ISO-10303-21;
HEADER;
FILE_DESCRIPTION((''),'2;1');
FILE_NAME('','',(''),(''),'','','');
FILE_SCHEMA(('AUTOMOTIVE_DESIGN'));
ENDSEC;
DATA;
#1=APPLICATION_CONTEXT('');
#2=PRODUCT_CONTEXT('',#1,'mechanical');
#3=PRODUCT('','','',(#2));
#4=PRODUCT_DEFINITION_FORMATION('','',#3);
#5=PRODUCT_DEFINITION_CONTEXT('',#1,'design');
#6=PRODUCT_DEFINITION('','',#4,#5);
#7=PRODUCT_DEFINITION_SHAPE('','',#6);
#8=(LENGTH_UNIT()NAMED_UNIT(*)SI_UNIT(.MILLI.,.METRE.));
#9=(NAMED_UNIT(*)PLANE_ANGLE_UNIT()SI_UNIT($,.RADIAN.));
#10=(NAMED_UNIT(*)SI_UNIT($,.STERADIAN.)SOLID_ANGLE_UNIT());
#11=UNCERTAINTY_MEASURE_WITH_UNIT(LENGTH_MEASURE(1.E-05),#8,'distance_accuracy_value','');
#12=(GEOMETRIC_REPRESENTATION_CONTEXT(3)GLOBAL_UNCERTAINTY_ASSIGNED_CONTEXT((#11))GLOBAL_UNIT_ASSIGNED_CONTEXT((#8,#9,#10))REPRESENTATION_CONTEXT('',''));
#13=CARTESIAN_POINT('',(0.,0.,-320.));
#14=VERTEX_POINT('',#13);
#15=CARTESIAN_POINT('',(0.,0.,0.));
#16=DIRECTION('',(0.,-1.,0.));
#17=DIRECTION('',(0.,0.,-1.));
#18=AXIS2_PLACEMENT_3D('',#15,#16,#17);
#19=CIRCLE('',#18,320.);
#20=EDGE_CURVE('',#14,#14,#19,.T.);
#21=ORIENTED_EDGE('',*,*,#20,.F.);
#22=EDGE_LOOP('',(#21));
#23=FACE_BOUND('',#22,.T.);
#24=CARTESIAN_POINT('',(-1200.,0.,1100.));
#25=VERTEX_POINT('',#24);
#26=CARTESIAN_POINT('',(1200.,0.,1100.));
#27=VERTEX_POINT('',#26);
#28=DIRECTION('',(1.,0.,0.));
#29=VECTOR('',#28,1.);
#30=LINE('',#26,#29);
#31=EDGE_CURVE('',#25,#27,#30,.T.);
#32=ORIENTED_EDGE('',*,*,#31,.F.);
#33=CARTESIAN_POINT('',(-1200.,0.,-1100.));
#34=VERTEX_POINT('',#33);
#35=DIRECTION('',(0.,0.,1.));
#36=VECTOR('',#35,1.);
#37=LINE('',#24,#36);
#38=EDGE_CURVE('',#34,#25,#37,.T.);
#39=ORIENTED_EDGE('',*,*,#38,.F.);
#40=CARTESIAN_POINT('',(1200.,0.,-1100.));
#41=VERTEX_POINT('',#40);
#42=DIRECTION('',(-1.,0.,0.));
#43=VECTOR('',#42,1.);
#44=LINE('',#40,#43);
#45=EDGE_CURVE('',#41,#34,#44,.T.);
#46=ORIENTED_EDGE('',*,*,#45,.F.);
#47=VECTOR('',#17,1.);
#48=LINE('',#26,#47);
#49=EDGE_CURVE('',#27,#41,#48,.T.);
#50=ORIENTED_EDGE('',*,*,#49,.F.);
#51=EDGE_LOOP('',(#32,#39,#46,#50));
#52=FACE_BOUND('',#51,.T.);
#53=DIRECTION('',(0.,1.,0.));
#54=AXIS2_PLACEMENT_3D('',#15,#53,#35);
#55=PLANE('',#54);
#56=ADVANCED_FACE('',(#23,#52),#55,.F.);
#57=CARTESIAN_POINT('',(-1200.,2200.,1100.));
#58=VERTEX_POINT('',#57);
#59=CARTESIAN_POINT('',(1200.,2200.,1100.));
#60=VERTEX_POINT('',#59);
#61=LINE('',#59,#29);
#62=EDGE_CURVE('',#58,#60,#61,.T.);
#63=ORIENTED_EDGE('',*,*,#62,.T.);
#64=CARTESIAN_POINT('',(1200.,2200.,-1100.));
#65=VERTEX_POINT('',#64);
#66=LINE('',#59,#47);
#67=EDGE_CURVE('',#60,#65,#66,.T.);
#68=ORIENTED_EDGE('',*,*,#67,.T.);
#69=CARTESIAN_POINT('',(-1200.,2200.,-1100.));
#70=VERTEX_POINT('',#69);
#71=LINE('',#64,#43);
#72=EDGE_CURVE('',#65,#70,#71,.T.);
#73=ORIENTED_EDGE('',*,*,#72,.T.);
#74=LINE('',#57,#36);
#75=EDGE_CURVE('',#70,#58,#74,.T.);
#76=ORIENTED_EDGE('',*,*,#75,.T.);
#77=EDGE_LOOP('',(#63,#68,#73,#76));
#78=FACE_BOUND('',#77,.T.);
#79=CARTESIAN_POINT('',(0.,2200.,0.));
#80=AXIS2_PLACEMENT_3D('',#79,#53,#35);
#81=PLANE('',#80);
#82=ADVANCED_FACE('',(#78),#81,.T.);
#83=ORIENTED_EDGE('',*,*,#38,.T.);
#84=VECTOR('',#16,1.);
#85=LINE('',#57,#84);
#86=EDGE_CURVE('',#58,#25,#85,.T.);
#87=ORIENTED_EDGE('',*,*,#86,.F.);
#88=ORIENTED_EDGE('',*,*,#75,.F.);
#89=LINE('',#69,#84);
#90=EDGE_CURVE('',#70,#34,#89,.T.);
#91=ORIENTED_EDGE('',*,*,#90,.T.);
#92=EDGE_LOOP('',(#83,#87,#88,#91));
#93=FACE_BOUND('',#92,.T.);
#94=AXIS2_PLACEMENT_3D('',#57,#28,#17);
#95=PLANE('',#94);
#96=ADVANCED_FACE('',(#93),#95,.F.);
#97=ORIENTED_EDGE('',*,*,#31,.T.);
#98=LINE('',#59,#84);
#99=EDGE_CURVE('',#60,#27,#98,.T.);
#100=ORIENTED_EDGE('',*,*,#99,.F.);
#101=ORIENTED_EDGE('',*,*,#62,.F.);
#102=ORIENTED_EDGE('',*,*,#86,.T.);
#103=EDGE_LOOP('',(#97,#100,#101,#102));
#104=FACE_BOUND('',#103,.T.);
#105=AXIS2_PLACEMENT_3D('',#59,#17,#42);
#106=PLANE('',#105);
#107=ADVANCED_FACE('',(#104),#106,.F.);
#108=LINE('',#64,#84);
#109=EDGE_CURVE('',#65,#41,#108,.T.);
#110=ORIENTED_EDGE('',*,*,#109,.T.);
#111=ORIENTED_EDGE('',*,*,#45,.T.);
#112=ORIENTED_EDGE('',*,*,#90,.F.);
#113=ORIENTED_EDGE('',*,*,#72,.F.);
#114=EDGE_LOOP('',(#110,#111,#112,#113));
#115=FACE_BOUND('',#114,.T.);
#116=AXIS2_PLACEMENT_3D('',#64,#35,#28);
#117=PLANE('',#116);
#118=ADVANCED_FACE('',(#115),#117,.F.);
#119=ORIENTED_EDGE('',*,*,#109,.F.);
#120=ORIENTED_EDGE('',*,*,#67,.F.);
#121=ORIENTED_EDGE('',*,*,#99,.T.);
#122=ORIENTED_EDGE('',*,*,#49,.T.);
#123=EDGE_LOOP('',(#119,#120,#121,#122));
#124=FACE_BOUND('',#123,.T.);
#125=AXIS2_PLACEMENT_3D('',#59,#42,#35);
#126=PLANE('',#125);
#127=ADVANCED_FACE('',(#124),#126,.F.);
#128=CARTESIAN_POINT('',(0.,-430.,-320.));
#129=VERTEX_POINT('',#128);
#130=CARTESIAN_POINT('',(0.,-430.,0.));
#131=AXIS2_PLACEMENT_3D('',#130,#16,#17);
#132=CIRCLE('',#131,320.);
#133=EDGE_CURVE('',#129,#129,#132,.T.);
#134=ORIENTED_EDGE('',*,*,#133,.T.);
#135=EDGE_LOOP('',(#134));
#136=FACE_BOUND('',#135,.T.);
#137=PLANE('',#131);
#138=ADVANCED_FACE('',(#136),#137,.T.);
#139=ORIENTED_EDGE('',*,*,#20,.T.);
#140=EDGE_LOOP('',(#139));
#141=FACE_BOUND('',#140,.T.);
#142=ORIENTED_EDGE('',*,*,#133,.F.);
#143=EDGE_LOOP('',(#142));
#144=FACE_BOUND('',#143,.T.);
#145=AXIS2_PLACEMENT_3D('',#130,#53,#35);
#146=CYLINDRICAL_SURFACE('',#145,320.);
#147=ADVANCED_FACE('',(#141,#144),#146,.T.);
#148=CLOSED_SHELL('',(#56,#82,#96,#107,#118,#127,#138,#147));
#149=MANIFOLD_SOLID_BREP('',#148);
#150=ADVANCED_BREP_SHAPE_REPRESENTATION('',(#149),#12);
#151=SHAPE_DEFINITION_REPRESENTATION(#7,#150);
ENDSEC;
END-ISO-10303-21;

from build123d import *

# Parameters (mm, degrees)
SKETCH1_W           = 2400
SKETCH1_H           = 2200
BOSS_EXTRUDE1_DEPTH = 2200
SKETCH2_R           = 320
BOSS_EXTRUDE2_DEPTH = 430


with BuildPart() as part:
    # Sketch1 → Boss-Extrude1 (new body)
    with BuildSketch(Plane(origin=(0, 0, 0), x_dir=(-1, 0, 0), z_dir=(0, 1, 0))):
        Rectangle(SKETCH1_W, SKETCH1_H)
    extrude(amount=BOSS_EXTRUDE1_DEPTH)

    # Sketch2 → Boss-Extrude2 (add)
    with BuildSketch(Plane(origin=(0, 0, 0), x_dir=(-1, 0, 0), z_dir=(0, -1, 0))):
        with Locations(Location((0, 0, 0), (0, 0, 90))):
            Circle(SKETCH2_R)
    extrude(amount=BOSS_EXTRUDE2_DEPTH)


solid = part.part
